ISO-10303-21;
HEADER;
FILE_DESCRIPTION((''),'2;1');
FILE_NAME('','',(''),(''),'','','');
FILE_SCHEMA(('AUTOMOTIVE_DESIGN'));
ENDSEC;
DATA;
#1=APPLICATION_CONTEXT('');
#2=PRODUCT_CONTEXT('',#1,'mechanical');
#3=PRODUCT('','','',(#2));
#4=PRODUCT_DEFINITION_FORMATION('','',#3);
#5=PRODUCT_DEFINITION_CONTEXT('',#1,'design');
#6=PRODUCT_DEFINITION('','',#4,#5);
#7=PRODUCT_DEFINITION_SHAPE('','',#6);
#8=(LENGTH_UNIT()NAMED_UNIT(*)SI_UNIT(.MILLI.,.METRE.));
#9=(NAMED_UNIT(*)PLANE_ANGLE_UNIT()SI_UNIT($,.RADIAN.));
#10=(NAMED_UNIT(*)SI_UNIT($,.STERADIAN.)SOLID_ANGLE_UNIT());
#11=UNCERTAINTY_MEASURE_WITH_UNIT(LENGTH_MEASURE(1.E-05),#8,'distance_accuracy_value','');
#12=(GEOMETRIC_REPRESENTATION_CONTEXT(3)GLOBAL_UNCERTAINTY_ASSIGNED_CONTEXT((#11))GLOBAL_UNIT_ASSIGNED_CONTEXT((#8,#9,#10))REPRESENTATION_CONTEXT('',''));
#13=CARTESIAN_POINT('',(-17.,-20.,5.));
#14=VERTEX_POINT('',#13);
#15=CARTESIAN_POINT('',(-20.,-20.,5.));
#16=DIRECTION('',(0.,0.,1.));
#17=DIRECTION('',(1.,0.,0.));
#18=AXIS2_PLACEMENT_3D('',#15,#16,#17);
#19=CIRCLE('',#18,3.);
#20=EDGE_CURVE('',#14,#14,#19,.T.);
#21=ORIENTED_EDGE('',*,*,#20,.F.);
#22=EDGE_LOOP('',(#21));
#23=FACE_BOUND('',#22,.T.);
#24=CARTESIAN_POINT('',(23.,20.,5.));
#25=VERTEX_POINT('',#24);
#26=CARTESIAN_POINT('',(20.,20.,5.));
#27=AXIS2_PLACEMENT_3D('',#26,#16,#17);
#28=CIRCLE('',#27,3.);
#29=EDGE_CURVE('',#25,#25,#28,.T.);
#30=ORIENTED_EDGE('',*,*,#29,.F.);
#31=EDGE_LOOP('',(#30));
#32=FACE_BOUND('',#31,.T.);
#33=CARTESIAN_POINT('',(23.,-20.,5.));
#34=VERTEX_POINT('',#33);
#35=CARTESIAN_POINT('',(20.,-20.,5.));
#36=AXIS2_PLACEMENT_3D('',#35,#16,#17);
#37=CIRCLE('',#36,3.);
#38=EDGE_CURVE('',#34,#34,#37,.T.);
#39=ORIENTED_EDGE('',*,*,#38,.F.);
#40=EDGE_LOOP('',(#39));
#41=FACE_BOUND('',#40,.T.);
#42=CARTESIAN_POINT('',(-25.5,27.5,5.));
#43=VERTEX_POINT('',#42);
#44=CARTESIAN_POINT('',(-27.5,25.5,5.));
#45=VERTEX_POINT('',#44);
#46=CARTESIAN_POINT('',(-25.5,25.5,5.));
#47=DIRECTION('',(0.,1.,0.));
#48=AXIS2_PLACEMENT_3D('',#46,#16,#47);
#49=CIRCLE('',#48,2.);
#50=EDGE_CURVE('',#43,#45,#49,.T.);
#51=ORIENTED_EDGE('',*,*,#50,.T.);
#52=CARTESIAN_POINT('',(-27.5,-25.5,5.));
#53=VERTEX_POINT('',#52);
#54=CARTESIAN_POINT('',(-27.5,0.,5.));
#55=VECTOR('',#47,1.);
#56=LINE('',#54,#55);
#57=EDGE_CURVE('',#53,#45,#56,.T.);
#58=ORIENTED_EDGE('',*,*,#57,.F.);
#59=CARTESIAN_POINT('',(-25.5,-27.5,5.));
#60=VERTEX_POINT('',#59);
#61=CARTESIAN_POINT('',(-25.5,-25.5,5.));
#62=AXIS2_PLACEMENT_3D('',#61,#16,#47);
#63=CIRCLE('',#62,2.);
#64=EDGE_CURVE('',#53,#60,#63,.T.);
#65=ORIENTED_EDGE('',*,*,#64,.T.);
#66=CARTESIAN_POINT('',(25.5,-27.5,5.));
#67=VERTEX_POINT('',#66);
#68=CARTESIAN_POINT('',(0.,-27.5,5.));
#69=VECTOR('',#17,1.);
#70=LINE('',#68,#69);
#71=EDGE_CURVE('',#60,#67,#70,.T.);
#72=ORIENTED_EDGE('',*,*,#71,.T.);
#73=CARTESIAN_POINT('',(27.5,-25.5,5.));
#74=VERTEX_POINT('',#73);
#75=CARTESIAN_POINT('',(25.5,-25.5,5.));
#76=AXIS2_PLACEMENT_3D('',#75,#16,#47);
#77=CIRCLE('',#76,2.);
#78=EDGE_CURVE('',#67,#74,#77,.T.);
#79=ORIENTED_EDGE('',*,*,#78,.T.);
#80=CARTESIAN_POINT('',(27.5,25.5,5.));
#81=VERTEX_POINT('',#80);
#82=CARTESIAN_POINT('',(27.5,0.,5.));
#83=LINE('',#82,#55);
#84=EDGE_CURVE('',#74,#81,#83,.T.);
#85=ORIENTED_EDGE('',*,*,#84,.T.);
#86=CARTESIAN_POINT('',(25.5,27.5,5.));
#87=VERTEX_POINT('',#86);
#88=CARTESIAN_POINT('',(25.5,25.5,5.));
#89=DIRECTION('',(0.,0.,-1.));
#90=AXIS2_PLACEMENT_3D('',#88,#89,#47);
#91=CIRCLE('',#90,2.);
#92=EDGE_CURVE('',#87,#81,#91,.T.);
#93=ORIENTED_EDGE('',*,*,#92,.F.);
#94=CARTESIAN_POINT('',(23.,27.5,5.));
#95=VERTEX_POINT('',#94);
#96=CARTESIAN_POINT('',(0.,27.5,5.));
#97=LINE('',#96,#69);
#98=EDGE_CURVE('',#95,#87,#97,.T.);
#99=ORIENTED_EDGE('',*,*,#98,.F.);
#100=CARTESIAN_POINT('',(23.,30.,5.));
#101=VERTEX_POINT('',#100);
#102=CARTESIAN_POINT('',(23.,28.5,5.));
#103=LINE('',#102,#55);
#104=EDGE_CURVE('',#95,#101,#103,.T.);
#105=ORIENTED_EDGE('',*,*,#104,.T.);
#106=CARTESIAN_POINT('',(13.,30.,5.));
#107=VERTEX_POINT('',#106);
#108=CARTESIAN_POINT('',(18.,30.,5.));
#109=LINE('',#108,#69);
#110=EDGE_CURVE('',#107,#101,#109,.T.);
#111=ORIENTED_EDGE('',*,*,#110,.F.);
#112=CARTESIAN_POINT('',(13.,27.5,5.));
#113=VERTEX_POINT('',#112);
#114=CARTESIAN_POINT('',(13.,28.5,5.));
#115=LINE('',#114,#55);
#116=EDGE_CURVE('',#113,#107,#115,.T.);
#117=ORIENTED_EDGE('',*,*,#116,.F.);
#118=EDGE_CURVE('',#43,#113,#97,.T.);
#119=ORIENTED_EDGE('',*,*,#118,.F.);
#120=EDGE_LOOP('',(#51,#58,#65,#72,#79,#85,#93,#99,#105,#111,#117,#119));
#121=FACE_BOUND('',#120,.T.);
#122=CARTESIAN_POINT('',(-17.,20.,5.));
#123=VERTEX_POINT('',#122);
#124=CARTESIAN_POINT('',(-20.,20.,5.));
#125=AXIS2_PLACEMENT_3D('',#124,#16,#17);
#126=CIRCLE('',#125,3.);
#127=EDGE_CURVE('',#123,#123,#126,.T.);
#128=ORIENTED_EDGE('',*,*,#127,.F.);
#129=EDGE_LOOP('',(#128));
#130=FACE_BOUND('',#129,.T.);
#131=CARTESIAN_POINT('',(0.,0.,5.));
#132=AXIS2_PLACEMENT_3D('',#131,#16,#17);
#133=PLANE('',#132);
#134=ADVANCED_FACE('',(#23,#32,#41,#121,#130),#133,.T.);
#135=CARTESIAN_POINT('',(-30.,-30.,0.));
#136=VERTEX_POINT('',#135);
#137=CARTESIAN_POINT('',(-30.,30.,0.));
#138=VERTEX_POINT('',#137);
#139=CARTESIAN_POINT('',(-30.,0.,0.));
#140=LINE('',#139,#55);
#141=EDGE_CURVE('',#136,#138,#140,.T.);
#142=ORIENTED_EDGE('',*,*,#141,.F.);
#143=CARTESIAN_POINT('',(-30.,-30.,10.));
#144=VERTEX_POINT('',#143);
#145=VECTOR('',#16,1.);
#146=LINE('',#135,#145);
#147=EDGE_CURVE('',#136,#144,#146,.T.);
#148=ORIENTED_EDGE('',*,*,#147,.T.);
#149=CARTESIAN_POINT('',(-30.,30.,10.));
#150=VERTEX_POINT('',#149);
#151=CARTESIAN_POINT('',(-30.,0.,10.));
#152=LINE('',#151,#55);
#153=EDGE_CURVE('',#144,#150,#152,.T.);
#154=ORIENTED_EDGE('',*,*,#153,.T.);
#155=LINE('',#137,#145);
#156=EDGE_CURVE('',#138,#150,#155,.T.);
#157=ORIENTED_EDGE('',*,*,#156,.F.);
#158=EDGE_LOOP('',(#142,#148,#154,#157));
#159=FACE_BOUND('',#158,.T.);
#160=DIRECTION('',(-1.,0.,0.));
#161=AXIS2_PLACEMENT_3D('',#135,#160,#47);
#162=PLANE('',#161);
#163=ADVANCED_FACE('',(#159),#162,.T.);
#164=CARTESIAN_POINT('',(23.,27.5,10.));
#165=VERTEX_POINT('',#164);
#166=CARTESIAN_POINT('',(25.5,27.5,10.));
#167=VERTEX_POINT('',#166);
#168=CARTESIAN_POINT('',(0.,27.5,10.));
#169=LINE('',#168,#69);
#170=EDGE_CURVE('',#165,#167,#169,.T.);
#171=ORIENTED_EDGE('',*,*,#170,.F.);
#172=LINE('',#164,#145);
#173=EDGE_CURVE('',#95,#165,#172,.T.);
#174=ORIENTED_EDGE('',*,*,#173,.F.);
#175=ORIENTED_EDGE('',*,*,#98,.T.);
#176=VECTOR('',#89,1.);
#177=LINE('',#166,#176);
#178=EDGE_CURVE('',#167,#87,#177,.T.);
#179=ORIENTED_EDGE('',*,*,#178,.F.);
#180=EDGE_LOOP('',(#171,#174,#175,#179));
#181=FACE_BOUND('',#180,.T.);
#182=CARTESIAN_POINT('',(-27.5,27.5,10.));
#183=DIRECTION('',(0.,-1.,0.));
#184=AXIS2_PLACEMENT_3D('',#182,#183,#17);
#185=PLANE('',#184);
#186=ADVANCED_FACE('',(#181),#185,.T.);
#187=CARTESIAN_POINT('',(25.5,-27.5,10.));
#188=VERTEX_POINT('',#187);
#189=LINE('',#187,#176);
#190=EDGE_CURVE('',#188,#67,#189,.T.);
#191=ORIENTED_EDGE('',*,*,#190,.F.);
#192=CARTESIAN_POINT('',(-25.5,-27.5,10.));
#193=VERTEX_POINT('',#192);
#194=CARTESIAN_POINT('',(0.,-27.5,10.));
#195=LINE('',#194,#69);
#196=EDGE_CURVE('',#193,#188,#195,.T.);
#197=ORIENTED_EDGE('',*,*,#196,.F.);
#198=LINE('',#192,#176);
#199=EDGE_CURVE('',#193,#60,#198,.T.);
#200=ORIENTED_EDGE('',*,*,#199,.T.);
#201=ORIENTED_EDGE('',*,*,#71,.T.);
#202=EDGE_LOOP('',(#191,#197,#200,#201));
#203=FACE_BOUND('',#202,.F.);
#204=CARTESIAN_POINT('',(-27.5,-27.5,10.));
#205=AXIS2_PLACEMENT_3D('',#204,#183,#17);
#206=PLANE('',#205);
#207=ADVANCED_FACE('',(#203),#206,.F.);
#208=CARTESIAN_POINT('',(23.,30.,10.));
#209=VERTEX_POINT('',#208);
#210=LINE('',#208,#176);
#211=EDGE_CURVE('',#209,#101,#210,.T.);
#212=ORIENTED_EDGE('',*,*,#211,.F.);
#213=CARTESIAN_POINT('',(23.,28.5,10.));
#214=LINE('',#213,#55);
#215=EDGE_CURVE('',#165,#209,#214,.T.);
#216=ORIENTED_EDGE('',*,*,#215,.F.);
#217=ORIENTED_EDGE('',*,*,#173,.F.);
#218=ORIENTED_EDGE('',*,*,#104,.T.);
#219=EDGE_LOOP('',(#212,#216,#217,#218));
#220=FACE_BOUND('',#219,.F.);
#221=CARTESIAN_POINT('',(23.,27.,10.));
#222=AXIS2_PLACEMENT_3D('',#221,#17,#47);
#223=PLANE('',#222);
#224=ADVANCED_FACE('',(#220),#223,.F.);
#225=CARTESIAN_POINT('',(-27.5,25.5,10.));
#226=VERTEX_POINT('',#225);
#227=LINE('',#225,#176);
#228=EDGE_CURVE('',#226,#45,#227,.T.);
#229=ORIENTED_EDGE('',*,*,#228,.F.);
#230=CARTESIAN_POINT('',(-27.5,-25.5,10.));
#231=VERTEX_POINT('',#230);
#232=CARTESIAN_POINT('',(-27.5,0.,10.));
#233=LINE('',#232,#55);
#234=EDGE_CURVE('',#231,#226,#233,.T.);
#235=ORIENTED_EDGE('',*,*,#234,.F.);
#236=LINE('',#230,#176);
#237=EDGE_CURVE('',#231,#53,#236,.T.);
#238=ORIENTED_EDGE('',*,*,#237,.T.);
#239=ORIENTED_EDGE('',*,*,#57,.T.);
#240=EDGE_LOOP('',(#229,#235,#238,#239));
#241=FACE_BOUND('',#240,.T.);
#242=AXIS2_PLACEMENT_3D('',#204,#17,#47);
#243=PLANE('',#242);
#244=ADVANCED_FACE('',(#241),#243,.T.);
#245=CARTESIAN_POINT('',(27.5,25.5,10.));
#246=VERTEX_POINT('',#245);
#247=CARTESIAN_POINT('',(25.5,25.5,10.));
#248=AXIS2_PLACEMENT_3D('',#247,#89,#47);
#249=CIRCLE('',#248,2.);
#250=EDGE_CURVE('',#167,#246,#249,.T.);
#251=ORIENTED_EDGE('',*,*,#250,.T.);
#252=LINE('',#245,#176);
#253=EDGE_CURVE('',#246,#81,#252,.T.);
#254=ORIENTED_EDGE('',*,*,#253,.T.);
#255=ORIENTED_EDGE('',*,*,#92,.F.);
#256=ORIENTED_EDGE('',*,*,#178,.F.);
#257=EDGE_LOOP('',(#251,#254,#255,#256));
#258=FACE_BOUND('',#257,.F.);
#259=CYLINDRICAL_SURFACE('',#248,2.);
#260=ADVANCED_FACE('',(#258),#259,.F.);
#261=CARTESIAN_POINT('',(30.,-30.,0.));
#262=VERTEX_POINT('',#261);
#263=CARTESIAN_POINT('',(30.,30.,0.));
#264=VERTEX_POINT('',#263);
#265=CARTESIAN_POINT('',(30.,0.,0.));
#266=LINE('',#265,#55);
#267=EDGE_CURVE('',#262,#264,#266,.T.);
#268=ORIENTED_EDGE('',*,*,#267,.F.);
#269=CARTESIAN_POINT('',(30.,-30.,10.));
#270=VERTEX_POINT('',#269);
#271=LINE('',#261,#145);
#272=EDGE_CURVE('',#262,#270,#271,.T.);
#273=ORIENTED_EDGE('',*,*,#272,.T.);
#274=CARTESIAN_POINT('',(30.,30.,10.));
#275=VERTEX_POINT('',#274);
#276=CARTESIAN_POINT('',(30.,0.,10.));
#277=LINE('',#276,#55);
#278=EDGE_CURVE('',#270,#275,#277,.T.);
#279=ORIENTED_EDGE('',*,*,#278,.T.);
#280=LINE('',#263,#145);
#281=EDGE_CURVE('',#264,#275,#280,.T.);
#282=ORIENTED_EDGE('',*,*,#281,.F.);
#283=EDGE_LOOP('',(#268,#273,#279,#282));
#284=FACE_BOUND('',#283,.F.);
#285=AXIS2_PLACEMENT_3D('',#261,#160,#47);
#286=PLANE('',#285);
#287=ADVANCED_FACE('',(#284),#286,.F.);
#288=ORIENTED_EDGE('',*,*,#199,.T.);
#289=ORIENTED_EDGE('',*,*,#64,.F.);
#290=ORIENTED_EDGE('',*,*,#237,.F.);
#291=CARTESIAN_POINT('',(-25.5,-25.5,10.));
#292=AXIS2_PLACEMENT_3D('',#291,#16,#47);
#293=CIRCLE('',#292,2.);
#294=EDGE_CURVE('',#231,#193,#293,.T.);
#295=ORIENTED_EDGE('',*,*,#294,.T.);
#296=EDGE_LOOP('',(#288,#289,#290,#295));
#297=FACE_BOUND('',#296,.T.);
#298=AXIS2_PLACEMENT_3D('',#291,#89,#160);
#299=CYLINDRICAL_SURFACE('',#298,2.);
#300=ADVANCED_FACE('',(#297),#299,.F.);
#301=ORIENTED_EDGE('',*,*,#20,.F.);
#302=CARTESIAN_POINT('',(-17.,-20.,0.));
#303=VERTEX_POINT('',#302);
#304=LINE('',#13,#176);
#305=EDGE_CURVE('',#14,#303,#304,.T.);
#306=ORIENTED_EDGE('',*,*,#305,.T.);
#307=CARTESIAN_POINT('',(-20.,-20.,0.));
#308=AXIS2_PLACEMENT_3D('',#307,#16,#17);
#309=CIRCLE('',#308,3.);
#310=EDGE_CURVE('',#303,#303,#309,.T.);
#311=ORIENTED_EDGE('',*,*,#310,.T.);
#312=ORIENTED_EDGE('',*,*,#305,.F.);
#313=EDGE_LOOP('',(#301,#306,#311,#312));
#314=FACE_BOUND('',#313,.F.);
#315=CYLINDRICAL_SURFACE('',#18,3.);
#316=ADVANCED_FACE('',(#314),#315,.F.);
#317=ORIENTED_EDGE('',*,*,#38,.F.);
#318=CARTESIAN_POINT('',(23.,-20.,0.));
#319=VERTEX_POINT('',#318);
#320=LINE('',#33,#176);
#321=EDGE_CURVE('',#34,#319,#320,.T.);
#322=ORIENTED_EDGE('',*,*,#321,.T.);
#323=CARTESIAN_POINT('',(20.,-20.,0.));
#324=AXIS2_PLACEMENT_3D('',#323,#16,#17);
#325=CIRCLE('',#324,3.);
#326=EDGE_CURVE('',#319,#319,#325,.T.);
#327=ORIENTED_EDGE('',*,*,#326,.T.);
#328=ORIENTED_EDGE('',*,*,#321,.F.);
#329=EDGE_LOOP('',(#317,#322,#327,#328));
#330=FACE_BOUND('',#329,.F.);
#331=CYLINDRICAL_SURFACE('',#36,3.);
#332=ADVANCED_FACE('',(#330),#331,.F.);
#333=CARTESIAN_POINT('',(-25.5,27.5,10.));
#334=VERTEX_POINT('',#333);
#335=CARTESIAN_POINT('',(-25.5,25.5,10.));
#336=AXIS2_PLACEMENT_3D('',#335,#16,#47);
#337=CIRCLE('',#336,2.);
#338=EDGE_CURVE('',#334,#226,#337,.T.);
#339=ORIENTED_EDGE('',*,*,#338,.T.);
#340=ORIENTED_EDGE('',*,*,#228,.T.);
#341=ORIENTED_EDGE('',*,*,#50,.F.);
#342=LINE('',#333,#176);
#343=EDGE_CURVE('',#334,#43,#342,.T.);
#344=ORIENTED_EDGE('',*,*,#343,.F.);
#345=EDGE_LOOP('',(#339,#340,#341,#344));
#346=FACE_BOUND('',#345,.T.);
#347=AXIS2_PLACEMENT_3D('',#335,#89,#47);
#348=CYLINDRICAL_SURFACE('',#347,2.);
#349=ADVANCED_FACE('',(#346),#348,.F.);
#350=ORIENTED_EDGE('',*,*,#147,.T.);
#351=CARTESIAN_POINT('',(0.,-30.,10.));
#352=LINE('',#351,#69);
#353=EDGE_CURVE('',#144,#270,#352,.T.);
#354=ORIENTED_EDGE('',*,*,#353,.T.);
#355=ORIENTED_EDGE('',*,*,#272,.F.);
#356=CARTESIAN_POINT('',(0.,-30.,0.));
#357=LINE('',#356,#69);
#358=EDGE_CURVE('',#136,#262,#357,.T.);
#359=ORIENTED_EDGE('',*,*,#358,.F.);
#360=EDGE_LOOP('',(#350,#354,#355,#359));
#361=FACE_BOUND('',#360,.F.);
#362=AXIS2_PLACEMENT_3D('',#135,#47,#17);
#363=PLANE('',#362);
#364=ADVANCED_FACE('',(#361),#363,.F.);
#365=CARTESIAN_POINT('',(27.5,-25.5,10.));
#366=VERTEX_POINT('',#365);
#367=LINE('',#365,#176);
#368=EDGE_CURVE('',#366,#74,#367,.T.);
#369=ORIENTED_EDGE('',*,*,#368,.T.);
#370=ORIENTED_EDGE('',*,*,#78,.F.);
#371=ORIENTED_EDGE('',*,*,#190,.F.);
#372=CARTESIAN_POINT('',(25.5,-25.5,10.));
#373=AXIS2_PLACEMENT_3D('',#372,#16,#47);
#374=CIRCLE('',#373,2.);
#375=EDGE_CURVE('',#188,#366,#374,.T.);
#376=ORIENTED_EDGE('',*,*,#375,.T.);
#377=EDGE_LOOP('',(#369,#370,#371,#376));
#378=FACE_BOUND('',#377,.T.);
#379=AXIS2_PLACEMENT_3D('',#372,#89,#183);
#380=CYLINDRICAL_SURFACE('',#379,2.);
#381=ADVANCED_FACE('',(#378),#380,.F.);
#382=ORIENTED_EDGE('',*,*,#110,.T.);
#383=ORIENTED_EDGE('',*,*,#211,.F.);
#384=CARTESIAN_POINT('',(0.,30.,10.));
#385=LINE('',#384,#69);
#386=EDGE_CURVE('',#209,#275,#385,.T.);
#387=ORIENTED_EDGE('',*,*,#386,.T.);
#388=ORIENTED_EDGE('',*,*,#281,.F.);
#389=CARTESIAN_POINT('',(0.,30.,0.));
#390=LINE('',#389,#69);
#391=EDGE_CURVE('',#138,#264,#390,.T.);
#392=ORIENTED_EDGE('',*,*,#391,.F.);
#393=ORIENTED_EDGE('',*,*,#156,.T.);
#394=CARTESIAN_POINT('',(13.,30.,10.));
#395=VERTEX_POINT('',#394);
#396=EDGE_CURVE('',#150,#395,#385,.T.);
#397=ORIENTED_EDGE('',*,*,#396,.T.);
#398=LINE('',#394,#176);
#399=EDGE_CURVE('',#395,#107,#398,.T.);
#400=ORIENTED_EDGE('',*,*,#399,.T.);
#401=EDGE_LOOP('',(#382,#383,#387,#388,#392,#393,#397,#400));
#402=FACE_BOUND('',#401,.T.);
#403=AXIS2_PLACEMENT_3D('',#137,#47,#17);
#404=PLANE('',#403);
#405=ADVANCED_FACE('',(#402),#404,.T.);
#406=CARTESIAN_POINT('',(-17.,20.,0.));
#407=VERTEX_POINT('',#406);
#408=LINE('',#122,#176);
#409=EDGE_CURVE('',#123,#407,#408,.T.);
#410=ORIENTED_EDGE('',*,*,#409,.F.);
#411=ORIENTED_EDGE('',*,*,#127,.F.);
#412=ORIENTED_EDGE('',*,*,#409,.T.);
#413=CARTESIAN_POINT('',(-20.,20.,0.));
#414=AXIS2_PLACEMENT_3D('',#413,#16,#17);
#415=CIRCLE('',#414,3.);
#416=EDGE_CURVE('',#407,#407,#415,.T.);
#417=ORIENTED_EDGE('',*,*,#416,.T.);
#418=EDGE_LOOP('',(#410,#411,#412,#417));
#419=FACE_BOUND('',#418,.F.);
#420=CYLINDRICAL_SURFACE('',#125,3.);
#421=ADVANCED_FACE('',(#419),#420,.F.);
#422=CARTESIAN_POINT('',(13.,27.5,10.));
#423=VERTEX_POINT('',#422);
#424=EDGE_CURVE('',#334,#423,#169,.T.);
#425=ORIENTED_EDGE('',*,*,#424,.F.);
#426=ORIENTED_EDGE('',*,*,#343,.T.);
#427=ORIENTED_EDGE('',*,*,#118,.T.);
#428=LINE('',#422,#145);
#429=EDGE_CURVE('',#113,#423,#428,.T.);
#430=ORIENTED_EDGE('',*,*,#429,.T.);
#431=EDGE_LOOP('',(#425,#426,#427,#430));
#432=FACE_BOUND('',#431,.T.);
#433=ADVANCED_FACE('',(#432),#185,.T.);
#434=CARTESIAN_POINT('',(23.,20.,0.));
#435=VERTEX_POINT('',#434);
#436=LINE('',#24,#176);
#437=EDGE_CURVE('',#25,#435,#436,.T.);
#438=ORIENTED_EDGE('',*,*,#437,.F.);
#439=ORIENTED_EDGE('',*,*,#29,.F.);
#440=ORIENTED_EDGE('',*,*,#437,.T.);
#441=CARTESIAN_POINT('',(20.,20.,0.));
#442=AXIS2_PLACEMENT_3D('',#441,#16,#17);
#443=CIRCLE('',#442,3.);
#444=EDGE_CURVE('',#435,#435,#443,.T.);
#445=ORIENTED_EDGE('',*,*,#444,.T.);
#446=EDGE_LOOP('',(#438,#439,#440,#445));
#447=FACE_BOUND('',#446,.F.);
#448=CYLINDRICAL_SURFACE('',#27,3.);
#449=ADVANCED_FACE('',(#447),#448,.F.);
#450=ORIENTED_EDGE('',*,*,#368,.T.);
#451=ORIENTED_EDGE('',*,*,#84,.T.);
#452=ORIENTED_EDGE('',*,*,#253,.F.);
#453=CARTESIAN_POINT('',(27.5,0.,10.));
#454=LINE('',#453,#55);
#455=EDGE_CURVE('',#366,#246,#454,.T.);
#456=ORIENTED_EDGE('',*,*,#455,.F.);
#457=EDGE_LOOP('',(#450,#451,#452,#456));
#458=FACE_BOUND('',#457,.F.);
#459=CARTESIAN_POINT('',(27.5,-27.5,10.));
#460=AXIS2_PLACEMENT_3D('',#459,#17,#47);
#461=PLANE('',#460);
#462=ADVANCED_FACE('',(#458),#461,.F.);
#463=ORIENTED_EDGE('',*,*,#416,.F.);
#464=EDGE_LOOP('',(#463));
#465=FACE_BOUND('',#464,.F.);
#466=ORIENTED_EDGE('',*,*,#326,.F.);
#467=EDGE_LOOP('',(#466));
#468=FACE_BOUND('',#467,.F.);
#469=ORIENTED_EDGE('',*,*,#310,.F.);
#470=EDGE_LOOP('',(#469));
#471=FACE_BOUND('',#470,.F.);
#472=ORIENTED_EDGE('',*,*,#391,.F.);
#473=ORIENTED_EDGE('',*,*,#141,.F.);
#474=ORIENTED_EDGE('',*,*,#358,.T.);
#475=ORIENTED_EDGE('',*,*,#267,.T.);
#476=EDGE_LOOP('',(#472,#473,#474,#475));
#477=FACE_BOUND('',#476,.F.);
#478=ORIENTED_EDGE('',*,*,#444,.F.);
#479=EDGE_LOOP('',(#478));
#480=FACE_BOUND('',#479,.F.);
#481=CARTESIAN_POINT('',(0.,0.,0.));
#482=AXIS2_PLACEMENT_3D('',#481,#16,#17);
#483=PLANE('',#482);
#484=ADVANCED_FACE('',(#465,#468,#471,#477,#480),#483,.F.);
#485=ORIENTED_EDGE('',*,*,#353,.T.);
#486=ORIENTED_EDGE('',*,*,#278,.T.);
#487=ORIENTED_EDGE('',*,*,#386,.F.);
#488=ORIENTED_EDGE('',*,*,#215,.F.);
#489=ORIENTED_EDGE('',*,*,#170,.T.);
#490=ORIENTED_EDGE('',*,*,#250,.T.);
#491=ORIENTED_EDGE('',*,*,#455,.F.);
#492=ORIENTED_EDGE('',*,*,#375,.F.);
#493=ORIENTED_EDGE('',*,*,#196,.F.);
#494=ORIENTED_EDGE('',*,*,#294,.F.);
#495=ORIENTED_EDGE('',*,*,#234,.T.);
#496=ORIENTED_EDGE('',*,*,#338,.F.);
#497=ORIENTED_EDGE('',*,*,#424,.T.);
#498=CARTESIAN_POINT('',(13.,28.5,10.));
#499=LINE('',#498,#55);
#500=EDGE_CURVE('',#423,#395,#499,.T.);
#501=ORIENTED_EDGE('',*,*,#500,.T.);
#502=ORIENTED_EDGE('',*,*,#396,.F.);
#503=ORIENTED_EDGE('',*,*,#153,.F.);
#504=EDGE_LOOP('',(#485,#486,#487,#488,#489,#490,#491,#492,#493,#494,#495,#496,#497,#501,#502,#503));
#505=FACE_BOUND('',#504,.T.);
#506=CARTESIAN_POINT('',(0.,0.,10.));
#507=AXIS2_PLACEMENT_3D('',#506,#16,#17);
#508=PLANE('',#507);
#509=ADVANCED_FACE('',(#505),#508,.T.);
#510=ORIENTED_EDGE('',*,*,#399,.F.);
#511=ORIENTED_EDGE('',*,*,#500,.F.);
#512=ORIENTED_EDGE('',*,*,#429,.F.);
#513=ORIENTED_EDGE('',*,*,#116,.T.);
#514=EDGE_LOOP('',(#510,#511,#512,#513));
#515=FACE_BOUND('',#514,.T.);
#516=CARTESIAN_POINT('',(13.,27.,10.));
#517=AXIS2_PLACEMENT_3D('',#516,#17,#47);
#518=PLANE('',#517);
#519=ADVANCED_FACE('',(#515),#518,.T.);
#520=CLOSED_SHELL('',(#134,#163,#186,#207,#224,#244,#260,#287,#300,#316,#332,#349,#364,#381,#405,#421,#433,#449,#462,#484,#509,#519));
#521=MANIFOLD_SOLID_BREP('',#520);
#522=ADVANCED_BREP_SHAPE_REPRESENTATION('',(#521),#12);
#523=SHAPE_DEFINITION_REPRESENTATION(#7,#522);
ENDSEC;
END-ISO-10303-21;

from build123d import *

# Parameters (mm, degrees)
SKETCH_W        = 60
SKETCH_H        = 60
PAD_DEPTH       = 10
SKETCH001_W     = 55
SKETCH001_H     = 55
POCKET_DEPTH    = 5
FILLET_R        = 2
FILLET001_R     = 2
FILLET002_R     = 2
FILLET003_R     = 2
SKETCH002_R     = 3
HOLE_DEPTH      = 25
SKETCH003_W     = 10
SKETCH003_H     = 3
POCKET001_DEPTH = 5


with BuildPart() as part:
    # Sketch → Pad (new body)
    with BuildSketch(Plane.XY):
        Rectangle(SKETCH_W, SKETCH_H)
    extrude(amount=PAD_DEPTH)

    # Sketch001 (on Face6 of Pad) → Pocket (cut)
    with BuildSketch(Plane.XY.offset(10)):
        Rectangle(SKETCH001_W, SKETCH001_H)
    extrude(amount=-POCKET_DEPTH, mode=Mode.SUBTRACT)

    # Fillet
    fillet_edges = [part.edges().sort_by_distance(p)[0] for p in [
        (-27.5, 27.5, 7.5),
    ]]
    fillet(fillet_edges, radius=FILLET_R)

    # Fillet001
    fillet001_edges = [part.edges().sort_by_distance(p)[0] for p in [
        (27.5, 27.5, 7.5),
    ]]
    fillet(fillet001_edges, radius=FILLET001_R)

    # Fillet002
    fillet002_edges = [part.edges().sort_by_distance(p)[0] for p in [
        (-27.5, -27.5, 7.5),
    ]]
    fillet(fillet002_edges, radius=FILLET002_R)

    # Fillet003
    fillet003_edges = [part.edges().sort_by_distance(p)[0] for p in [
        (27.5, -27.5, 7.5),
    ]]
    fillet(fillet003_edges, radius=FILLET003_R)

    # Sketch002 (on Face14 of Fillet003) → Hole (cut)
    with BuildSketch(Plane.XY.offset(5)):
        with Locations((-20, 20)):
            Circle(SKETCH002_R)
        with Locations((-20, -20)):
            Circle(SKETCH002_R)
        with Locations((20, -20)):
            Circle(SKETCH002_R)
        with Locations((20, 20)):
            Circle(SKETCH002_R)
    extrude(amount=-HOLE_DEPTH, mode=Mode.SUBTRACT)

    # Sketch003 (on Face1 of Hole) → Pocket001 (cut)
    with BuildSketch(Plane.XY.offset(10)):
        with Locations((18, 28.5)):
            Rectangle(SKETCH003_W, SKETCH003_H)
    extrude(amount=-POCKET001_DEPTH, mode=Mode.SUBTRACT)


solid = part.part
